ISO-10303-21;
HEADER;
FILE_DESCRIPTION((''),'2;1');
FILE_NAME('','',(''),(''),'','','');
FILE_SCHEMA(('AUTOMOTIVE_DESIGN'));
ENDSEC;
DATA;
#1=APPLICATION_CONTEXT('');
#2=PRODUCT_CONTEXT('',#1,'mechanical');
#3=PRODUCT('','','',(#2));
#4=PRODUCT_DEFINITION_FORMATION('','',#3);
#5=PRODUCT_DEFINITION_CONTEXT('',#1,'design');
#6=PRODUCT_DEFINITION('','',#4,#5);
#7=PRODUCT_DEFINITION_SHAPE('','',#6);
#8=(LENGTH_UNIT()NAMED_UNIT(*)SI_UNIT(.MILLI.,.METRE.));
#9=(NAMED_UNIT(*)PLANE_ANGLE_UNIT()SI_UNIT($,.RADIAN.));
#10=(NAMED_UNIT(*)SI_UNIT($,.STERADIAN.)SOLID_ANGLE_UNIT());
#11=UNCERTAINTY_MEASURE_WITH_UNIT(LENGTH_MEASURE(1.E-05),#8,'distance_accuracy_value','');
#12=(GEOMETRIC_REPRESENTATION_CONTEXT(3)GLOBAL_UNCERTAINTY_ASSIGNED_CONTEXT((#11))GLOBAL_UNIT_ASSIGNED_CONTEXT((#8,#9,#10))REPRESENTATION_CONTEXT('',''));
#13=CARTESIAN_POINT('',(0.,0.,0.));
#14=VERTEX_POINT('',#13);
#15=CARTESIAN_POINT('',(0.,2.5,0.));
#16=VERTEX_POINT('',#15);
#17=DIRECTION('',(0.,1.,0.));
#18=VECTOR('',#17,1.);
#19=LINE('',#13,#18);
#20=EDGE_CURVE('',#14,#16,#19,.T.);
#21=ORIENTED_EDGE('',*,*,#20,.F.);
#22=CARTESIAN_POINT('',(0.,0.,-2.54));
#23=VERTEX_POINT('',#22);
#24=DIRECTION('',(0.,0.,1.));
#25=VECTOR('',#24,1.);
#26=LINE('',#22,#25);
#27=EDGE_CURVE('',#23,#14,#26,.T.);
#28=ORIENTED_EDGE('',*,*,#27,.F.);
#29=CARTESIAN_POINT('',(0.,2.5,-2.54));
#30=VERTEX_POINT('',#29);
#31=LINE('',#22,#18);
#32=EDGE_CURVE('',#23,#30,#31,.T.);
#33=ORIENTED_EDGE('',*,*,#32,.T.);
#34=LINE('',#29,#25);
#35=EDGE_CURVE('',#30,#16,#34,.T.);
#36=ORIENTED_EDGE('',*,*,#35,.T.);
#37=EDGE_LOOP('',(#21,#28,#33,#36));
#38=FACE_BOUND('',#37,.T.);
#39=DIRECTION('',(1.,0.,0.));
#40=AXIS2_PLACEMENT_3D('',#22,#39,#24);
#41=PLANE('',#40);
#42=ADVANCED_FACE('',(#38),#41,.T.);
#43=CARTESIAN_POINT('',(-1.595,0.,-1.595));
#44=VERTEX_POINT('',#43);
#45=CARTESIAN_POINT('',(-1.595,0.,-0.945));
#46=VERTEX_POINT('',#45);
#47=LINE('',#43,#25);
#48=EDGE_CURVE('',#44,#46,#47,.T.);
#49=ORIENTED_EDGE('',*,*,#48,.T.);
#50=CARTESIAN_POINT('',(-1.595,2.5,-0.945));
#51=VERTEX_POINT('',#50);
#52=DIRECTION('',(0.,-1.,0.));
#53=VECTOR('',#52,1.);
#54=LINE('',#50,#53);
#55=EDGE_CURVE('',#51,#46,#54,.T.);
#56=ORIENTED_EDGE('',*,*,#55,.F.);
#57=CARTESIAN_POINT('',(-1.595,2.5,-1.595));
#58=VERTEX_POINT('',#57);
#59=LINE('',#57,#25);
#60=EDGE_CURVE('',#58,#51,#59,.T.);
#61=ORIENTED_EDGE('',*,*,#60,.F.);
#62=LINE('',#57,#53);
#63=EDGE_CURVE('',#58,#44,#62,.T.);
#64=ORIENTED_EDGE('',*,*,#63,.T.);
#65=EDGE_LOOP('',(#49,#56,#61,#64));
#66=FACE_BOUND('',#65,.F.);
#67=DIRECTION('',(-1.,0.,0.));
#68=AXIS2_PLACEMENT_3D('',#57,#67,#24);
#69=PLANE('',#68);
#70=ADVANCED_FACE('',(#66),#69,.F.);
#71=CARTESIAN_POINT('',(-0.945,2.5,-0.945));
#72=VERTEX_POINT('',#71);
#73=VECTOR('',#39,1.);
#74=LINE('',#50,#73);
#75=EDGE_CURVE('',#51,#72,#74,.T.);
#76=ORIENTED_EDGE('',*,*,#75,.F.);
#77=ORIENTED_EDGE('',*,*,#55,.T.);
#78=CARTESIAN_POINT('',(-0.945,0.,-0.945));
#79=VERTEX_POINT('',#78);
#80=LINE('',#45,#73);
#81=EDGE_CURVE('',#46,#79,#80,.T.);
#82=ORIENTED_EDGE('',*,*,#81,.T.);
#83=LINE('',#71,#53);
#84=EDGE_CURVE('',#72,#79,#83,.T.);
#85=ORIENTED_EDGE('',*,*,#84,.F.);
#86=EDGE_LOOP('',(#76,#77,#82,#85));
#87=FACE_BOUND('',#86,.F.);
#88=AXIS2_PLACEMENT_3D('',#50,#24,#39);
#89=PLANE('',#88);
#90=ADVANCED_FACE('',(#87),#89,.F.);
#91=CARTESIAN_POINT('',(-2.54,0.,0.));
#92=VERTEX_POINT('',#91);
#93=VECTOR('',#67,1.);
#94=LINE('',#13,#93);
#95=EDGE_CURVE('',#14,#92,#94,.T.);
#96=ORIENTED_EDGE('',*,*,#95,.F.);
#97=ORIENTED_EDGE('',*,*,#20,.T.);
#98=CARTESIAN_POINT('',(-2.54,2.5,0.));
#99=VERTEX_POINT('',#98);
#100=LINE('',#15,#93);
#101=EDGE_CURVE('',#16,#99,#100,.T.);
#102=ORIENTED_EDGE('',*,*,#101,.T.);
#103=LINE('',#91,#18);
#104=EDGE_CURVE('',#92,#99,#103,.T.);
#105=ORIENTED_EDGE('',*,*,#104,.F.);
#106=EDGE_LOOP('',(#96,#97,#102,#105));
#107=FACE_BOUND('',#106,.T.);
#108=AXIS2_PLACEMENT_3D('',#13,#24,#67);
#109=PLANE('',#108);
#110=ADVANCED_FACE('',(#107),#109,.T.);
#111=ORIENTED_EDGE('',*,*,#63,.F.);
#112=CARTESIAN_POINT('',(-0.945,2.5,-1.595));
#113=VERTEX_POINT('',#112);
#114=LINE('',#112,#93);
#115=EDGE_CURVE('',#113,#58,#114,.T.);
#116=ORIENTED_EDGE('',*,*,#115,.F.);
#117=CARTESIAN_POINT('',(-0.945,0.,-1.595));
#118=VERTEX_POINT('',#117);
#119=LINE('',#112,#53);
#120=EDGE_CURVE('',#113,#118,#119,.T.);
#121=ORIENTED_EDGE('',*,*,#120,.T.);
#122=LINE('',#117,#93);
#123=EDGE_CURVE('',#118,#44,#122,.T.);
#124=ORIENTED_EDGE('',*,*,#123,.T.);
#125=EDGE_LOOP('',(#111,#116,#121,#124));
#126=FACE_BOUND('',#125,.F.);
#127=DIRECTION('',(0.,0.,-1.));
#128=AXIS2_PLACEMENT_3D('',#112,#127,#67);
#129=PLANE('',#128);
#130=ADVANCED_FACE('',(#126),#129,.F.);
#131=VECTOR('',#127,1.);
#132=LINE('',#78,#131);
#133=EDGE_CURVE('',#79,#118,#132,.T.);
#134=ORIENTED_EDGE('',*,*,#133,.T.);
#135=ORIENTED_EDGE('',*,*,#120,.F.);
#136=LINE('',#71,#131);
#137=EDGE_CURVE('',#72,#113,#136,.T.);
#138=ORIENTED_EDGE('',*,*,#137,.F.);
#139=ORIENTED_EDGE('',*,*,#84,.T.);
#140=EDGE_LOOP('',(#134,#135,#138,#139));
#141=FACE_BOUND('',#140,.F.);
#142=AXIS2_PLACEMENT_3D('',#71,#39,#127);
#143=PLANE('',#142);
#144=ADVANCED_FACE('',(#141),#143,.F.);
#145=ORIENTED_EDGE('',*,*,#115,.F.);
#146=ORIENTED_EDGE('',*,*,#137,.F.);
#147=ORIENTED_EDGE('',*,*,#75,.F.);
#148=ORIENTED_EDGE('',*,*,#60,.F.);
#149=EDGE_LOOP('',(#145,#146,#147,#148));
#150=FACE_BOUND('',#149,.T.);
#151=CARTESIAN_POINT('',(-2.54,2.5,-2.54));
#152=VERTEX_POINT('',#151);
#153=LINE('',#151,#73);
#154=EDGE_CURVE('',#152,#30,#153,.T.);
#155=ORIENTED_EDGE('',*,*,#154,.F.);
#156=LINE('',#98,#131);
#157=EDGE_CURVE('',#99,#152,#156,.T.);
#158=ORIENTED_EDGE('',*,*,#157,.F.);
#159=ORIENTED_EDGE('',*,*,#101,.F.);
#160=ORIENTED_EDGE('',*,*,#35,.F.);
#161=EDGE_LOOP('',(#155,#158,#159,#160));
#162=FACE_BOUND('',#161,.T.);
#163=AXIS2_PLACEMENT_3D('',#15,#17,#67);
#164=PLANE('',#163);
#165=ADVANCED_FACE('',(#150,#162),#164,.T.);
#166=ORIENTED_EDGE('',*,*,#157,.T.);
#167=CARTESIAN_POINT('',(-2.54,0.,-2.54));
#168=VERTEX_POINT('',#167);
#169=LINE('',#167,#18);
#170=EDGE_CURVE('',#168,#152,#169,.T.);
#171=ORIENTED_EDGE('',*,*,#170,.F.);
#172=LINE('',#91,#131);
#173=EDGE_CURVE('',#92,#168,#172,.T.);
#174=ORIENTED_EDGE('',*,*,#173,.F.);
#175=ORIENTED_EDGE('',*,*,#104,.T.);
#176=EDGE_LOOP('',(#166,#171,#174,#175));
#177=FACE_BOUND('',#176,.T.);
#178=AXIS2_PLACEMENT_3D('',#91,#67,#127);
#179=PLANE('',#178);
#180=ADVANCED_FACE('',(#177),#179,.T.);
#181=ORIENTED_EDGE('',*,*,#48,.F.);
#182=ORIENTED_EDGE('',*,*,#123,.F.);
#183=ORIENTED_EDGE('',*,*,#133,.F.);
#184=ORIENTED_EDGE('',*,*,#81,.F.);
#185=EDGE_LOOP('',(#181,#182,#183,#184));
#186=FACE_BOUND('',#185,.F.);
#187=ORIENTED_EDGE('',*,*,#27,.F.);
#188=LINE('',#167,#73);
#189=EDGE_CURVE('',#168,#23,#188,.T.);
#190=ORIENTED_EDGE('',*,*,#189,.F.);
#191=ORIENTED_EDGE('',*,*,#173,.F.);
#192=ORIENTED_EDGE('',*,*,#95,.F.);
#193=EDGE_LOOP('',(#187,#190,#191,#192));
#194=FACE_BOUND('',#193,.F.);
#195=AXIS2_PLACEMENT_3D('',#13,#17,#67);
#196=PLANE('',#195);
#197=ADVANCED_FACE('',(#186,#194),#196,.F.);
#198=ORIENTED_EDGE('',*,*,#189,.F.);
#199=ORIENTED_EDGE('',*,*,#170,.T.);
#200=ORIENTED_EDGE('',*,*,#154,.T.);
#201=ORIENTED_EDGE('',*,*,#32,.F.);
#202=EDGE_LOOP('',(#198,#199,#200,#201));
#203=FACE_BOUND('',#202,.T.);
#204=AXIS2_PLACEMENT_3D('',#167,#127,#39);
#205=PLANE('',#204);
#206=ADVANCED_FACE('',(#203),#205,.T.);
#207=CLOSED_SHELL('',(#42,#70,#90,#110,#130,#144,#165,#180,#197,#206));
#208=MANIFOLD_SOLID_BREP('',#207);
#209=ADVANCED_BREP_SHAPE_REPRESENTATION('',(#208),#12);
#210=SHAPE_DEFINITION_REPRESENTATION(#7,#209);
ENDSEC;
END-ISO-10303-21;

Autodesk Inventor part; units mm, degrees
ref_plane "YZ Plane" through (0, 0, 0) normal (1, 0, 0) x (0, 1, 0)
ref_plane "XZ Plane" through (0, 0, 0) normal (0, 1, 0) x (-1, 0, 0)
ref_plane "XY Plane" through (0, 0, 0) normal (0, 0, 1) x (1, 0, 0)
sketch "Sketch2" plane through (0, 0, 0) normal (0, 1, 0) x (-1, 0, 0)
  line L0 (0, 0) -> (2.54, 0)
  line L1 (2.54, 0) -> (2.54, -2.54)
  line L2 (2.54, -2.54) -> (0, -2.54)
  line L3 (0, -2.54) -> (0, 0)
  dimension "d0" = 2.54
  dimension "d1" = 2.54
extrude "Extrusion1" add sketch "Sketch2" along normal blind 2.5
sketch "Sketch3" plane through (0, 2.5, 0) normal (0, 1, 0) x (1, 0, 0)
  line L0 (-2.54, 0) -> (0, 0) projected
  line L1 (0, 0) -> (0, 2.54) projected
  line L2 (0, 2.54) -> (-2.54, 2.54) projected
  line L3 (-2.54, 2.54) -> (-2.54, 0) projected
  line L4 (-0.945, 1.595) -> (-1.595, 1.595)
  line L5 (-1.595, 1.595) -> (-1.595, 0.945)
  line L6 (-1.595, 0.945) -> (-0.945, 0.945)
  line L7 (-0.945, 0.945) -> (-0.945, 1.595)
  dimension "d4" = 0.65
  dimension "d5" = 0.65
  dimension "d6" = 0.945
  dimension "d7" = 0.945
extrude "Extrusion2" cut sketch "Sketch3" against normal blind 2.5 contours L7 L6 L5 L4
equation "\"d7\" = d6"
properties part number "PinBlock" material "ABS Plastic"
